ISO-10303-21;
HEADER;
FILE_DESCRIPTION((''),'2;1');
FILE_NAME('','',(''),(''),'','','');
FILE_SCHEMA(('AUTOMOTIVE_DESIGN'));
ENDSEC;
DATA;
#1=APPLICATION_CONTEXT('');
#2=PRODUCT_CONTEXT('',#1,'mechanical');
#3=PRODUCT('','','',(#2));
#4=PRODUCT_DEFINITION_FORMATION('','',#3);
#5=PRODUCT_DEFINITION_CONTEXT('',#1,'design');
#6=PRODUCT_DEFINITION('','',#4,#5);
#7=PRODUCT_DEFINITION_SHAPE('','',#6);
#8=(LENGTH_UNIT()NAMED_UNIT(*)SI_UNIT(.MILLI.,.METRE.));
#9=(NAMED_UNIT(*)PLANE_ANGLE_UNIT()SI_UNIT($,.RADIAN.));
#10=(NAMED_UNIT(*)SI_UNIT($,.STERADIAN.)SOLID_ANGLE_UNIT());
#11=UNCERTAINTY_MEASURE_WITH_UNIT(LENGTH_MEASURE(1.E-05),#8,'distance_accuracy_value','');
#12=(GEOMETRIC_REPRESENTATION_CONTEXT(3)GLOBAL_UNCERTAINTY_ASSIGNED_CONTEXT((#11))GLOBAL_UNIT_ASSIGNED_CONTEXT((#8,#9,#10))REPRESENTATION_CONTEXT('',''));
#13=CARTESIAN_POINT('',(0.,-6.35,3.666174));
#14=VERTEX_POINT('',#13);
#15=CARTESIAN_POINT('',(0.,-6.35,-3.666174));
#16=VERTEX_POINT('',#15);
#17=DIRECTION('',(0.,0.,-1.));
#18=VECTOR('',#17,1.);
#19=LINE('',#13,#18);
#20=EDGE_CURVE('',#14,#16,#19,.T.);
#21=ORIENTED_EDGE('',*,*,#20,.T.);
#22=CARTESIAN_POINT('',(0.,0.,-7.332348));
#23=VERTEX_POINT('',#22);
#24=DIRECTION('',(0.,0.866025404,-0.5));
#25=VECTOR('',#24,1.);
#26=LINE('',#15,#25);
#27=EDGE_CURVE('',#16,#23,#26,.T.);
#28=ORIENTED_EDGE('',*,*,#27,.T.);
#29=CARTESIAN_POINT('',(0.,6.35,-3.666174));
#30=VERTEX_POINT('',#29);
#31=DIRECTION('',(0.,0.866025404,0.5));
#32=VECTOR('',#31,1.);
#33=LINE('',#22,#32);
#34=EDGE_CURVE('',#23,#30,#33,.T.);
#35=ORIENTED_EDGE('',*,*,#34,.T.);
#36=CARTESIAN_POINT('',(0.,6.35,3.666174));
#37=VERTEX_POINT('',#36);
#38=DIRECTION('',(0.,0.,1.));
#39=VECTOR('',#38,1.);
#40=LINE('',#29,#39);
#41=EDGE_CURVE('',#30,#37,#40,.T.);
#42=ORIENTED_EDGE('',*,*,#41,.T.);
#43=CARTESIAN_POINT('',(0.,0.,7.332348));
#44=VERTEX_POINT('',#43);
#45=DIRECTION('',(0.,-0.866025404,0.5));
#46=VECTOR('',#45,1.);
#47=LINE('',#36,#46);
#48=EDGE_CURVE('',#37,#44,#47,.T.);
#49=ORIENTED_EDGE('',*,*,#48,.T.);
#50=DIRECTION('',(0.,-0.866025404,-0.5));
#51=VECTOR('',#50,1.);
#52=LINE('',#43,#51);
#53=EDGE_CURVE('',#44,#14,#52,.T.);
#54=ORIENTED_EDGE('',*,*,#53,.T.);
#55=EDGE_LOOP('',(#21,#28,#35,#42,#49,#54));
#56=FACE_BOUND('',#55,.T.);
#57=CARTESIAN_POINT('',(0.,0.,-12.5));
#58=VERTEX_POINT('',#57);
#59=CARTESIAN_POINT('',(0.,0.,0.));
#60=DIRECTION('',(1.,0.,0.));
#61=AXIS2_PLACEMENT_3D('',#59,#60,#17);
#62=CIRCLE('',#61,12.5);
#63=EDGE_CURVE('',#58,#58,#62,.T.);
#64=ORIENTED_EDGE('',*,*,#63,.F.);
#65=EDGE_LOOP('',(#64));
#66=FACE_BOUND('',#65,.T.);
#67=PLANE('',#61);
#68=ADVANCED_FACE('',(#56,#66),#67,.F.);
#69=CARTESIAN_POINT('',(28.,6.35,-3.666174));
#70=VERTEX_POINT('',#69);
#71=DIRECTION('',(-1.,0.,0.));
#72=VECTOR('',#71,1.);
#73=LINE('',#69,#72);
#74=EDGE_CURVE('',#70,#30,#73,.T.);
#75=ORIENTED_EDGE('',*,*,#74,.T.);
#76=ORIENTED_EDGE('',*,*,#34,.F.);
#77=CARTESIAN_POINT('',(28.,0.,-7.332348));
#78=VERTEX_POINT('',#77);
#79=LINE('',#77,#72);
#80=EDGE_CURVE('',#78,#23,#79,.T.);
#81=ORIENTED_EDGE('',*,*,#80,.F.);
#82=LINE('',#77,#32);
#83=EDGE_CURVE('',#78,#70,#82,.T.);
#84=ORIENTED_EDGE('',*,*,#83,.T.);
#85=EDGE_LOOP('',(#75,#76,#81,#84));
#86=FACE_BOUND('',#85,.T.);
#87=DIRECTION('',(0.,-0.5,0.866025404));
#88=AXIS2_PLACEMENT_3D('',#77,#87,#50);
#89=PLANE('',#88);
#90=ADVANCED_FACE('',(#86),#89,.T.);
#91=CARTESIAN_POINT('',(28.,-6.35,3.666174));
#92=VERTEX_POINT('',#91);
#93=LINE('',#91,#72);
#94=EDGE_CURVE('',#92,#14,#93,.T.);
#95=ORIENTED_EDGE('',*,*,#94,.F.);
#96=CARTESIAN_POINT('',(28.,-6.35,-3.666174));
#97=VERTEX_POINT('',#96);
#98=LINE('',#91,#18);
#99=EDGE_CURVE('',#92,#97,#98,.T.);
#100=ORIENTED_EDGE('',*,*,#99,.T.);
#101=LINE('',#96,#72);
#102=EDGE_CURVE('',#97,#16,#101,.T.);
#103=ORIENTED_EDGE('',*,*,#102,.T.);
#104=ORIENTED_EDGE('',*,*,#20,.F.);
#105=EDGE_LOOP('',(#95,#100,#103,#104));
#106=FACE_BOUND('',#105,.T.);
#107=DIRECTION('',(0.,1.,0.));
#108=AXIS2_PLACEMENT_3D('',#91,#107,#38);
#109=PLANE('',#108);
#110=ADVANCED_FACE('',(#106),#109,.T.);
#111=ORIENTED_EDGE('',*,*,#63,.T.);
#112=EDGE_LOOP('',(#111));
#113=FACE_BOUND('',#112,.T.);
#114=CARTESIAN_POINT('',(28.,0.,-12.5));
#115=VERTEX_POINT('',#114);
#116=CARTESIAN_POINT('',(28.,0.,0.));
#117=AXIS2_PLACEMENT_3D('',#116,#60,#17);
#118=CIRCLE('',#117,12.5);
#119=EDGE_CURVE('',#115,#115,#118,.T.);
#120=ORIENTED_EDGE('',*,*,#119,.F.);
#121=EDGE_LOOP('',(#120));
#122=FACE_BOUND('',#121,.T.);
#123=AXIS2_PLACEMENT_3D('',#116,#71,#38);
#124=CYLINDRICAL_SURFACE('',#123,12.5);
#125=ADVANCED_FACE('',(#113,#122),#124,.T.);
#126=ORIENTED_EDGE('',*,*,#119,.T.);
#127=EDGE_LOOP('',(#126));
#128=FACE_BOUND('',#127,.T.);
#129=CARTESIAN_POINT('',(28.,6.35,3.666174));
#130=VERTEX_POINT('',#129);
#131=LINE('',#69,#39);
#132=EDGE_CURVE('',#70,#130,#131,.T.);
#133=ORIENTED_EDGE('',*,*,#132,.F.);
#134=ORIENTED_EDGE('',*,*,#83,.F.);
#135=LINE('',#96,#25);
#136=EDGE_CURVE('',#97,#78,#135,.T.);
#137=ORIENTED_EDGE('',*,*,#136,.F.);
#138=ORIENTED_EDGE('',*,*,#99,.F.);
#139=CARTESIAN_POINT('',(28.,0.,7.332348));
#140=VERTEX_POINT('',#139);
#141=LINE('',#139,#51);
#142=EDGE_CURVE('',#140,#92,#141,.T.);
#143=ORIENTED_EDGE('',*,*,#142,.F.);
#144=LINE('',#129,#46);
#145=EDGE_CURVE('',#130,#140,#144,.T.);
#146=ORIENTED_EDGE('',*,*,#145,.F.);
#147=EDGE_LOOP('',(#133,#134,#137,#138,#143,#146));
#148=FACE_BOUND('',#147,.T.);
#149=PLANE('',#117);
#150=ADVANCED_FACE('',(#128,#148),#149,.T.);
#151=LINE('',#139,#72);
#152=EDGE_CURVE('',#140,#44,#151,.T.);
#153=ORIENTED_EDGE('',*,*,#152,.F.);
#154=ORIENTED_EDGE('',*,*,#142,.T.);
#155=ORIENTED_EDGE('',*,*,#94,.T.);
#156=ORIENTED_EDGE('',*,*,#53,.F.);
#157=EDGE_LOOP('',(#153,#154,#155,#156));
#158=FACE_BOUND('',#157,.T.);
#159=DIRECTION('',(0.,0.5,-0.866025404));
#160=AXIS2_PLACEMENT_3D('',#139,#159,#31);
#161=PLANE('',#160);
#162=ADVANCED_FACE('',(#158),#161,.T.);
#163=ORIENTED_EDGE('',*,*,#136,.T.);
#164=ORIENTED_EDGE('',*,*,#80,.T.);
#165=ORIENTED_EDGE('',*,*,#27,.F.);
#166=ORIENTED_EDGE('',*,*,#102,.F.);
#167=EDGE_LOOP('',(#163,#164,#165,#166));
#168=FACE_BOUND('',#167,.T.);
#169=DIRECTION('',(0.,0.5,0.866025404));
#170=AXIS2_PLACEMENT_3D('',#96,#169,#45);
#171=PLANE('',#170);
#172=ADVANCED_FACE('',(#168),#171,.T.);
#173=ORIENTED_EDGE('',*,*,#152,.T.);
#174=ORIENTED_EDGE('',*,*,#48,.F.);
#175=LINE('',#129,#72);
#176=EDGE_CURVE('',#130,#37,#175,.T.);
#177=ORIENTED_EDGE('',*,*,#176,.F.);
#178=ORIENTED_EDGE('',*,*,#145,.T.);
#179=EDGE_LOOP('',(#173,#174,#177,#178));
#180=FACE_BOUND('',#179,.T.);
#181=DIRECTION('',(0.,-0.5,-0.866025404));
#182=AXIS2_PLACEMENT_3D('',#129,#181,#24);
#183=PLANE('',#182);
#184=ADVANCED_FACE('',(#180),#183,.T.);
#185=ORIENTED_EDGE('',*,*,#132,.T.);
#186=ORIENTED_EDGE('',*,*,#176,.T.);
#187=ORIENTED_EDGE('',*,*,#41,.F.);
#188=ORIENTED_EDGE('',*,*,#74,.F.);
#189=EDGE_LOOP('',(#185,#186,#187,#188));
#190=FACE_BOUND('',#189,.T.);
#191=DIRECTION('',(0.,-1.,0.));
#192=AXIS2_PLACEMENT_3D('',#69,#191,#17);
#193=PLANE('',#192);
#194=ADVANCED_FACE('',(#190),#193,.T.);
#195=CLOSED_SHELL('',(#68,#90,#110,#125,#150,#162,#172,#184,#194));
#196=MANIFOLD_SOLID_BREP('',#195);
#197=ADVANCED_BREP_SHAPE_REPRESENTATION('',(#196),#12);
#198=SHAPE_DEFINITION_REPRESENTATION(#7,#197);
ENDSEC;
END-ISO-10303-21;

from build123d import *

# Parameters (mm, degrees)
CROQUIS1_R              = 12.5
SALIENTE_EXTRUIR1_DEPTH = 28


with BuildPart() as part:
    # Croquis1 → Saliente-Extruir1 (new body)
    with BuildSketch(Plane(origin=(0, 0, 0), x_dir=(0, 0, -1), z_dir=(1, 0, 0))):
        Circle(CROQUIS1_R)
        Polygon((7.332348419, 0), (3.666174209, 6.35), (-3.666174209, 6.35), (-7.332348419, 0), (-3.666174209, -6.35), (3.666174209, -6.35), align=None, mode=Mode.SUBTRACT)
    extrude(amount=SALIENTE_EXTRUIR1_DEPTH)


solid = part.part
